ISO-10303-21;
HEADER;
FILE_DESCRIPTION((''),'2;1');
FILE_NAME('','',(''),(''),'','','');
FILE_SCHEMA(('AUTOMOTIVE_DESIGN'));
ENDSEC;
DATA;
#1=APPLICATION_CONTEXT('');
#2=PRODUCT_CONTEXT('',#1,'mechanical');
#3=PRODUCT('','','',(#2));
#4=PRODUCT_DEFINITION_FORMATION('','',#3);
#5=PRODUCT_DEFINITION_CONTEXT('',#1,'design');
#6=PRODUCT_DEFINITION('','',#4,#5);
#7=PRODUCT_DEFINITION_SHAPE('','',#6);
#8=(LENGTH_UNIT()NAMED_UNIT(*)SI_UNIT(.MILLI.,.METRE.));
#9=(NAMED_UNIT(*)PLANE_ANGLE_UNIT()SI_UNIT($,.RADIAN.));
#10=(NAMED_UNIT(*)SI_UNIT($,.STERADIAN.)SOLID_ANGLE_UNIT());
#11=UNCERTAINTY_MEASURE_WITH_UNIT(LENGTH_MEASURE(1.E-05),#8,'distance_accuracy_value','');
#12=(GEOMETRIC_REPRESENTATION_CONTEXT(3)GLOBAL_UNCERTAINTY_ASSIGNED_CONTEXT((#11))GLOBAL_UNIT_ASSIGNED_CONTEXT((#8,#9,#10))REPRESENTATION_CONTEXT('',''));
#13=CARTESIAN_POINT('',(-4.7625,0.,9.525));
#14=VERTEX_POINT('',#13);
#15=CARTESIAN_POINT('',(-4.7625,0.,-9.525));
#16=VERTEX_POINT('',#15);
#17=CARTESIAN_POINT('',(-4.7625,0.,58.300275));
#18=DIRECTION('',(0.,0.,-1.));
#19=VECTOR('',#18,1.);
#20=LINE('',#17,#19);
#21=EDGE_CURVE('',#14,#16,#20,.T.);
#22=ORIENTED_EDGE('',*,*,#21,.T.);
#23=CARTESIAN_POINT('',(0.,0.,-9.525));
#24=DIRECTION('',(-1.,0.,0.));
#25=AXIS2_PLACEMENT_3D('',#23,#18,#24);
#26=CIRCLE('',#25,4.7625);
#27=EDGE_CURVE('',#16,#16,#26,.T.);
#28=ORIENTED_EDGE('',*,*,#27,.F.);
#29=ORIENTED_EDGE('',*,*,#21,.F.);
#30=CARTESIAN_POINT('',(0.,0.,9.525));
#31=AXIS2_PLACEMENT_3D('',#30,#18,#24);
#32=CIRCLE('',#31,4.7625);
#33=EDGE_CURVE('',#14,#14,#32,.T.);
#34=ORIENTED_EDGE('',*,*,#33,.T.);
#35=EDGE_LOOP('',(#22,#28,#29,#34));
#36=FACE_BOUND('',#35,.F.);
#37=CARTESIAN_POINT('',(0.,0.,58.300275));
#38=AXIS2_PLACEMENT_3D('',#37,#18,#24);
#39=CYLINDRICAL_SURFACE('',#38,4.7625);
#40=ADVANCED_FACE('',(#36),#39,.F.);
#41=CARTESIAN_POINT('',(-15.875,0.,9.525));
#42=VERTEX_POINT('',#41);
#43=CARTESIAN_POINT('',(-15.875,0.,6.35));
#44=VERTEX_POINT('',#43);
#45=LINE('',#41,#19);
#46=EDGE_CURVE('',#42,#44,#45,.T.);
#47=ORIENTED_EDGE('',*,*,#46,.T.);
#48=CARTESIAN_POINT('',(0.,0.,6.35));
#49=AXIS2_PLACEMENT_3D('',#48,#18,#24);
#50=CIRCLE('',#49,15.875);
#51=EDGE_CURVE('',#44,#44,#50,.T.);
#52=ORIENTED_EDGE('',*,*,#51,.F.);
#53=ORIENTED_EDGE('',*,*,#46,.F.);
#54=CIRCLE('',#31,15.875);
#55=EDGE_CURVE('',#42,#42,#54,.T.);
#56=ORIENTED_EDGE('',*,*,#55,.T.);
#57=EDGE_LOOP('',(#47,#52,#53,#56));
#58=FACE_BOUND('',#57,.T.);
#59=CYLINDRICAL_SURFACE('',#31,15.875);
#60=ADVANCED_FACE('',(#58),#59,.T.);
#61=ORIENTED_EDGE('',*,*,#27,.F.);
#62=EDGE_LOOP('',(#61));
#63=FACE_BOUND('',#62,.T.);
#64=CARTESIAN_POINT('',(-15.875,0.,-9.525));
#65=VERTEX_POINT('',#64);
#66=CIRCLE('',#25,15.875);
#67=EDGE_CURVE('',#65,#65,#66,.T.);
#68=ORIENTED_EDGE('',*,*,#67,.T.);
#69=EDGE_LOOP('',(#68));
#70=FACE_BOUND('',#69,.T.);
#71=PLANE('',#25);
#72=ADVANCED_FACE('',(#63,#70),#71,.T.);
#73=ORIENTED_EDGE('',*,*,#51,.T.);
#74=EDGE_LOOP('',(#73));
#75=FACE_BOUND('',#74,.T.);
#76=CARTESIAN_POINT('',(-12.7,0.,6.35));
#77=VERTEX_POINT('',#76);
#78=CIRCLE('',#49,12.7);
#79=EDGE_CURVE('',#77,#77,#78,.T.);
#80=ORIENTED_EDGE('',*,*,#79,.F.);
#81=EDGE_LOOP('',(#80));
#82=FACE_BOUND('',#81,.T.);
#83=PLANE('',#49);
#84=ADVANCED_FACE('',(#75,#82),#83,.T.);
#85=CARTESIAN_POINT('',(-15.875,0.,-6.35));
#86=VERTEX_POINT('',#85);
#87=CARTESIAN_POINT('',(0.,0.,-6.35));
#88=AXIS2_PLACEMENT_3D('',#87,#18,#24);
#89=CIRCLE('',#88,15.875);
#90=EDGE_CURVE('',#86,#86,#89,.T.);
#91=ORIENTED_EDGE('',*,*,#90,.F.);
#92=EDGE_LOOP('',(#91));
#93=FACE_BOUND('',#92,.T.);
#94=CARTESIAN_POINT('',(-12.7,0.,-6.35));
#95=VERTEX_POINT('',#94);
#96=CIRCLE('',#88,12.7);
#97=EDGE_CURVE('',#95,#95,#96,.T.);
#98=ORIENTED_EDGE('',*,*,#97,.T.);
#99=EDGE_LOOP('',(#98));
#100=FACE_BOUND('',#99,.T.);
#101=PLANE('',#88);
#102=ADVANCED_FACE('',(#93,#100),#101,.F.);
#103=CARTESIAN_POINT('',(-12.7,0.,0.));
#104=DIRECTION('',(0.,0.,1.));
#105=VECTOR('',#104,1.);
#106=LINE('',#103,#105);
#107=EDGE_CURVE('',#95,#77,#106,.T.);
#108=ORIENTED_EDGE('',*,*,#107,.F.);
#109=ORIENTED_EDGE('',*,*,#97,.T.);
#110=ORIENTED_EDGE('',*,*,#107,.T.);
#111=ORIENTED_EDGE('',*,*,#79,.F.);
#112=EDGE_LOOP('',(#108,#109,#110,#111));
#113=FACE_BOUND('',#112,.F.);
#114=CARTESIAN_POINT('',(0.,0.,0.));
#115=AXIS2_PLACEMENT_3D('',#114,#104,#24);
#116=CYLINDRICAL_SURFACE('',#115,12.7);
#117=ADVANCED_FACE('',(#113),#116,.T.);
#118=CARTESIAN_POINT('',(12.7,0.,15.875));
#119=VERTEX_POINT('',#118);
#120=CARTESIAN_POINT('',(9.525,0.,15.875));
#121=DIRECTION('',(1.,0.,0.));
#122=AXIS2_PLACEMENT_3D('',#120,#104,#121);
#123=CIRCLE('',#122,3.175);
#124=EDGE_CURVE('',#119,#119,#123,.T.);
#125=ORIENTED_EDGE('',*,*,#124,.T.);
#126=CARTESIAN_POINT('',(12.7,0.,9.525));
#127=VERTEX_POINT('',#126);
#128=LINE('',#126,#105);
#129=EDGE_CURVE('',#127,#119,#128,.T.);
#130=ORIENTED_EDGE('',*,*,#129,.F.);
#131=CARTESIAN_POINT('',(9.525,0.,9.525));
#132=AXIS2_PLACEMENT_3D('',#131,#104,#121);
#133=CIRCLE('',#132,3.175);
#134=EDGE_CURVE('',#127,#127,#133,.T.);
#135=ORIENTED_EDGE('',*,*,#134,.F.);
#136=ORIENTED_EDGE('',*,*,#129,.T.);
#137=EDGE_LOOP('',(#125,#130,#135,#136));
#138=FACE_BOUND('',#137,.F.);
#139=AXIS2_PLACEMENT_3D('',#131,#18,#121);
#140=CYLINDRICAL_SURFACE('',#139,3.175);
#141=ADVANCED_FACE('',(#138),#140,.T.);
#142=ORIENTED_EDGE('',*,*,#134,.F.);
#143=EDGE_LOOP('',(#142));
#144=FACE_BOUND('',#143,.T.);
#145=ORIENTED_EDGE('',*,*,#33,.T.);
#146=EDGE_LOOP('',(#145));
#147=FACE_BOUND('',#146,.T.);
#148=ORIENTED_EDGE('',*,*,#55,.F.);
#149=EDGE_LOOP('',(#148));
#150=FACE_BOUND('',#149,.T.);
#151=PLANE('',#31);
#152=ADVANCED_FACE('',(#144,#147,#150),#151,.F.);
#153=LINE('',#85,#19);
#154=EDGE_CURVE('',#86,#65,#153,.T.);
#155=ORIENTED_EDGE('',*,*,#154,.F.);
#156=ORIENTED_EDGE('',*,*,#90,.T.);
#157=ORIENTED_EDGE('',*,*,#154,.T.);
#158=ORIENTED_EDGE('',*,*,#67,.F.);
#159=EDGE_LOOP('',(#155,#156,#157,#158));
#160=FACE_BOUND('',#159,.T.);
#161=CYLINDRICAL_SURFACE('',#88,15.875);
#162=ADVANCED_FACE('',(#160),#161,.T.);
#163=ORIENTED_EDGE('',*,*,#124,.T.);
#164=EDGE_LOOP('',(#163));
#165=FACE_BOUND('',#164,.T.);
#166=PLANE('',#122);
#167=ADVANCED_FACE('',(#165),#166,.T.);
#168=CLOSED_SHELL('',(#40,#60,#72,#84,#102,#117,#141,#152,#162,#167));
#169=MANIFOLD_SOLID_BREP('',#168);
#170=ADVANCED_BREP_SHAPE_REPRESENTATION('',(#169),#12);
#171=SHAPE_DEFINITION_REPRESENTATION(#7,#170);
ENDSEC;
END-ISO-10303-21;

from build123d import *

# Parameters (mm, degrees)
F0_W     = 12.7
F0_H     = 12.7
F3_D     = 9.525
F2_R     = 3.175
F4_DEPTH = 6.35


with BuildPart() as f1:
    # F0 (on Front) → F1 (revolve)
    with BuildSketch(Plane.XZ):
        with Locations((-6.35, 0)):
            Rectangle(F0_W, F0_H)
        Polygon((-15.875, 6.35), (-12.7, 6.35), (0, 6.35), (0, 9.525), (-15.875, 9.525), align=None)
        Polygon((0, -6.35), (-12.7, -6.35), (-15.875, -6.35), (-15.875, -9.525), (0, -9.525), align=None)
    revolve(axis=Axis((0, 0, 0), (0, 0, -1)))

    # F3 (through all)
    with Locations(Plane.XY.offset(9.525)):
        with Locations((0, 0)):
            Hole(F3_D / 2)

    # F2 (on face) → F4 (join)
    with BuildSketch(Plane.XY.offset(9.525)):
        with Locations((9.525, 0)):
            Circle(F2_R)
    extrude(amount=F4_DEPTH)


solid = f1.part
